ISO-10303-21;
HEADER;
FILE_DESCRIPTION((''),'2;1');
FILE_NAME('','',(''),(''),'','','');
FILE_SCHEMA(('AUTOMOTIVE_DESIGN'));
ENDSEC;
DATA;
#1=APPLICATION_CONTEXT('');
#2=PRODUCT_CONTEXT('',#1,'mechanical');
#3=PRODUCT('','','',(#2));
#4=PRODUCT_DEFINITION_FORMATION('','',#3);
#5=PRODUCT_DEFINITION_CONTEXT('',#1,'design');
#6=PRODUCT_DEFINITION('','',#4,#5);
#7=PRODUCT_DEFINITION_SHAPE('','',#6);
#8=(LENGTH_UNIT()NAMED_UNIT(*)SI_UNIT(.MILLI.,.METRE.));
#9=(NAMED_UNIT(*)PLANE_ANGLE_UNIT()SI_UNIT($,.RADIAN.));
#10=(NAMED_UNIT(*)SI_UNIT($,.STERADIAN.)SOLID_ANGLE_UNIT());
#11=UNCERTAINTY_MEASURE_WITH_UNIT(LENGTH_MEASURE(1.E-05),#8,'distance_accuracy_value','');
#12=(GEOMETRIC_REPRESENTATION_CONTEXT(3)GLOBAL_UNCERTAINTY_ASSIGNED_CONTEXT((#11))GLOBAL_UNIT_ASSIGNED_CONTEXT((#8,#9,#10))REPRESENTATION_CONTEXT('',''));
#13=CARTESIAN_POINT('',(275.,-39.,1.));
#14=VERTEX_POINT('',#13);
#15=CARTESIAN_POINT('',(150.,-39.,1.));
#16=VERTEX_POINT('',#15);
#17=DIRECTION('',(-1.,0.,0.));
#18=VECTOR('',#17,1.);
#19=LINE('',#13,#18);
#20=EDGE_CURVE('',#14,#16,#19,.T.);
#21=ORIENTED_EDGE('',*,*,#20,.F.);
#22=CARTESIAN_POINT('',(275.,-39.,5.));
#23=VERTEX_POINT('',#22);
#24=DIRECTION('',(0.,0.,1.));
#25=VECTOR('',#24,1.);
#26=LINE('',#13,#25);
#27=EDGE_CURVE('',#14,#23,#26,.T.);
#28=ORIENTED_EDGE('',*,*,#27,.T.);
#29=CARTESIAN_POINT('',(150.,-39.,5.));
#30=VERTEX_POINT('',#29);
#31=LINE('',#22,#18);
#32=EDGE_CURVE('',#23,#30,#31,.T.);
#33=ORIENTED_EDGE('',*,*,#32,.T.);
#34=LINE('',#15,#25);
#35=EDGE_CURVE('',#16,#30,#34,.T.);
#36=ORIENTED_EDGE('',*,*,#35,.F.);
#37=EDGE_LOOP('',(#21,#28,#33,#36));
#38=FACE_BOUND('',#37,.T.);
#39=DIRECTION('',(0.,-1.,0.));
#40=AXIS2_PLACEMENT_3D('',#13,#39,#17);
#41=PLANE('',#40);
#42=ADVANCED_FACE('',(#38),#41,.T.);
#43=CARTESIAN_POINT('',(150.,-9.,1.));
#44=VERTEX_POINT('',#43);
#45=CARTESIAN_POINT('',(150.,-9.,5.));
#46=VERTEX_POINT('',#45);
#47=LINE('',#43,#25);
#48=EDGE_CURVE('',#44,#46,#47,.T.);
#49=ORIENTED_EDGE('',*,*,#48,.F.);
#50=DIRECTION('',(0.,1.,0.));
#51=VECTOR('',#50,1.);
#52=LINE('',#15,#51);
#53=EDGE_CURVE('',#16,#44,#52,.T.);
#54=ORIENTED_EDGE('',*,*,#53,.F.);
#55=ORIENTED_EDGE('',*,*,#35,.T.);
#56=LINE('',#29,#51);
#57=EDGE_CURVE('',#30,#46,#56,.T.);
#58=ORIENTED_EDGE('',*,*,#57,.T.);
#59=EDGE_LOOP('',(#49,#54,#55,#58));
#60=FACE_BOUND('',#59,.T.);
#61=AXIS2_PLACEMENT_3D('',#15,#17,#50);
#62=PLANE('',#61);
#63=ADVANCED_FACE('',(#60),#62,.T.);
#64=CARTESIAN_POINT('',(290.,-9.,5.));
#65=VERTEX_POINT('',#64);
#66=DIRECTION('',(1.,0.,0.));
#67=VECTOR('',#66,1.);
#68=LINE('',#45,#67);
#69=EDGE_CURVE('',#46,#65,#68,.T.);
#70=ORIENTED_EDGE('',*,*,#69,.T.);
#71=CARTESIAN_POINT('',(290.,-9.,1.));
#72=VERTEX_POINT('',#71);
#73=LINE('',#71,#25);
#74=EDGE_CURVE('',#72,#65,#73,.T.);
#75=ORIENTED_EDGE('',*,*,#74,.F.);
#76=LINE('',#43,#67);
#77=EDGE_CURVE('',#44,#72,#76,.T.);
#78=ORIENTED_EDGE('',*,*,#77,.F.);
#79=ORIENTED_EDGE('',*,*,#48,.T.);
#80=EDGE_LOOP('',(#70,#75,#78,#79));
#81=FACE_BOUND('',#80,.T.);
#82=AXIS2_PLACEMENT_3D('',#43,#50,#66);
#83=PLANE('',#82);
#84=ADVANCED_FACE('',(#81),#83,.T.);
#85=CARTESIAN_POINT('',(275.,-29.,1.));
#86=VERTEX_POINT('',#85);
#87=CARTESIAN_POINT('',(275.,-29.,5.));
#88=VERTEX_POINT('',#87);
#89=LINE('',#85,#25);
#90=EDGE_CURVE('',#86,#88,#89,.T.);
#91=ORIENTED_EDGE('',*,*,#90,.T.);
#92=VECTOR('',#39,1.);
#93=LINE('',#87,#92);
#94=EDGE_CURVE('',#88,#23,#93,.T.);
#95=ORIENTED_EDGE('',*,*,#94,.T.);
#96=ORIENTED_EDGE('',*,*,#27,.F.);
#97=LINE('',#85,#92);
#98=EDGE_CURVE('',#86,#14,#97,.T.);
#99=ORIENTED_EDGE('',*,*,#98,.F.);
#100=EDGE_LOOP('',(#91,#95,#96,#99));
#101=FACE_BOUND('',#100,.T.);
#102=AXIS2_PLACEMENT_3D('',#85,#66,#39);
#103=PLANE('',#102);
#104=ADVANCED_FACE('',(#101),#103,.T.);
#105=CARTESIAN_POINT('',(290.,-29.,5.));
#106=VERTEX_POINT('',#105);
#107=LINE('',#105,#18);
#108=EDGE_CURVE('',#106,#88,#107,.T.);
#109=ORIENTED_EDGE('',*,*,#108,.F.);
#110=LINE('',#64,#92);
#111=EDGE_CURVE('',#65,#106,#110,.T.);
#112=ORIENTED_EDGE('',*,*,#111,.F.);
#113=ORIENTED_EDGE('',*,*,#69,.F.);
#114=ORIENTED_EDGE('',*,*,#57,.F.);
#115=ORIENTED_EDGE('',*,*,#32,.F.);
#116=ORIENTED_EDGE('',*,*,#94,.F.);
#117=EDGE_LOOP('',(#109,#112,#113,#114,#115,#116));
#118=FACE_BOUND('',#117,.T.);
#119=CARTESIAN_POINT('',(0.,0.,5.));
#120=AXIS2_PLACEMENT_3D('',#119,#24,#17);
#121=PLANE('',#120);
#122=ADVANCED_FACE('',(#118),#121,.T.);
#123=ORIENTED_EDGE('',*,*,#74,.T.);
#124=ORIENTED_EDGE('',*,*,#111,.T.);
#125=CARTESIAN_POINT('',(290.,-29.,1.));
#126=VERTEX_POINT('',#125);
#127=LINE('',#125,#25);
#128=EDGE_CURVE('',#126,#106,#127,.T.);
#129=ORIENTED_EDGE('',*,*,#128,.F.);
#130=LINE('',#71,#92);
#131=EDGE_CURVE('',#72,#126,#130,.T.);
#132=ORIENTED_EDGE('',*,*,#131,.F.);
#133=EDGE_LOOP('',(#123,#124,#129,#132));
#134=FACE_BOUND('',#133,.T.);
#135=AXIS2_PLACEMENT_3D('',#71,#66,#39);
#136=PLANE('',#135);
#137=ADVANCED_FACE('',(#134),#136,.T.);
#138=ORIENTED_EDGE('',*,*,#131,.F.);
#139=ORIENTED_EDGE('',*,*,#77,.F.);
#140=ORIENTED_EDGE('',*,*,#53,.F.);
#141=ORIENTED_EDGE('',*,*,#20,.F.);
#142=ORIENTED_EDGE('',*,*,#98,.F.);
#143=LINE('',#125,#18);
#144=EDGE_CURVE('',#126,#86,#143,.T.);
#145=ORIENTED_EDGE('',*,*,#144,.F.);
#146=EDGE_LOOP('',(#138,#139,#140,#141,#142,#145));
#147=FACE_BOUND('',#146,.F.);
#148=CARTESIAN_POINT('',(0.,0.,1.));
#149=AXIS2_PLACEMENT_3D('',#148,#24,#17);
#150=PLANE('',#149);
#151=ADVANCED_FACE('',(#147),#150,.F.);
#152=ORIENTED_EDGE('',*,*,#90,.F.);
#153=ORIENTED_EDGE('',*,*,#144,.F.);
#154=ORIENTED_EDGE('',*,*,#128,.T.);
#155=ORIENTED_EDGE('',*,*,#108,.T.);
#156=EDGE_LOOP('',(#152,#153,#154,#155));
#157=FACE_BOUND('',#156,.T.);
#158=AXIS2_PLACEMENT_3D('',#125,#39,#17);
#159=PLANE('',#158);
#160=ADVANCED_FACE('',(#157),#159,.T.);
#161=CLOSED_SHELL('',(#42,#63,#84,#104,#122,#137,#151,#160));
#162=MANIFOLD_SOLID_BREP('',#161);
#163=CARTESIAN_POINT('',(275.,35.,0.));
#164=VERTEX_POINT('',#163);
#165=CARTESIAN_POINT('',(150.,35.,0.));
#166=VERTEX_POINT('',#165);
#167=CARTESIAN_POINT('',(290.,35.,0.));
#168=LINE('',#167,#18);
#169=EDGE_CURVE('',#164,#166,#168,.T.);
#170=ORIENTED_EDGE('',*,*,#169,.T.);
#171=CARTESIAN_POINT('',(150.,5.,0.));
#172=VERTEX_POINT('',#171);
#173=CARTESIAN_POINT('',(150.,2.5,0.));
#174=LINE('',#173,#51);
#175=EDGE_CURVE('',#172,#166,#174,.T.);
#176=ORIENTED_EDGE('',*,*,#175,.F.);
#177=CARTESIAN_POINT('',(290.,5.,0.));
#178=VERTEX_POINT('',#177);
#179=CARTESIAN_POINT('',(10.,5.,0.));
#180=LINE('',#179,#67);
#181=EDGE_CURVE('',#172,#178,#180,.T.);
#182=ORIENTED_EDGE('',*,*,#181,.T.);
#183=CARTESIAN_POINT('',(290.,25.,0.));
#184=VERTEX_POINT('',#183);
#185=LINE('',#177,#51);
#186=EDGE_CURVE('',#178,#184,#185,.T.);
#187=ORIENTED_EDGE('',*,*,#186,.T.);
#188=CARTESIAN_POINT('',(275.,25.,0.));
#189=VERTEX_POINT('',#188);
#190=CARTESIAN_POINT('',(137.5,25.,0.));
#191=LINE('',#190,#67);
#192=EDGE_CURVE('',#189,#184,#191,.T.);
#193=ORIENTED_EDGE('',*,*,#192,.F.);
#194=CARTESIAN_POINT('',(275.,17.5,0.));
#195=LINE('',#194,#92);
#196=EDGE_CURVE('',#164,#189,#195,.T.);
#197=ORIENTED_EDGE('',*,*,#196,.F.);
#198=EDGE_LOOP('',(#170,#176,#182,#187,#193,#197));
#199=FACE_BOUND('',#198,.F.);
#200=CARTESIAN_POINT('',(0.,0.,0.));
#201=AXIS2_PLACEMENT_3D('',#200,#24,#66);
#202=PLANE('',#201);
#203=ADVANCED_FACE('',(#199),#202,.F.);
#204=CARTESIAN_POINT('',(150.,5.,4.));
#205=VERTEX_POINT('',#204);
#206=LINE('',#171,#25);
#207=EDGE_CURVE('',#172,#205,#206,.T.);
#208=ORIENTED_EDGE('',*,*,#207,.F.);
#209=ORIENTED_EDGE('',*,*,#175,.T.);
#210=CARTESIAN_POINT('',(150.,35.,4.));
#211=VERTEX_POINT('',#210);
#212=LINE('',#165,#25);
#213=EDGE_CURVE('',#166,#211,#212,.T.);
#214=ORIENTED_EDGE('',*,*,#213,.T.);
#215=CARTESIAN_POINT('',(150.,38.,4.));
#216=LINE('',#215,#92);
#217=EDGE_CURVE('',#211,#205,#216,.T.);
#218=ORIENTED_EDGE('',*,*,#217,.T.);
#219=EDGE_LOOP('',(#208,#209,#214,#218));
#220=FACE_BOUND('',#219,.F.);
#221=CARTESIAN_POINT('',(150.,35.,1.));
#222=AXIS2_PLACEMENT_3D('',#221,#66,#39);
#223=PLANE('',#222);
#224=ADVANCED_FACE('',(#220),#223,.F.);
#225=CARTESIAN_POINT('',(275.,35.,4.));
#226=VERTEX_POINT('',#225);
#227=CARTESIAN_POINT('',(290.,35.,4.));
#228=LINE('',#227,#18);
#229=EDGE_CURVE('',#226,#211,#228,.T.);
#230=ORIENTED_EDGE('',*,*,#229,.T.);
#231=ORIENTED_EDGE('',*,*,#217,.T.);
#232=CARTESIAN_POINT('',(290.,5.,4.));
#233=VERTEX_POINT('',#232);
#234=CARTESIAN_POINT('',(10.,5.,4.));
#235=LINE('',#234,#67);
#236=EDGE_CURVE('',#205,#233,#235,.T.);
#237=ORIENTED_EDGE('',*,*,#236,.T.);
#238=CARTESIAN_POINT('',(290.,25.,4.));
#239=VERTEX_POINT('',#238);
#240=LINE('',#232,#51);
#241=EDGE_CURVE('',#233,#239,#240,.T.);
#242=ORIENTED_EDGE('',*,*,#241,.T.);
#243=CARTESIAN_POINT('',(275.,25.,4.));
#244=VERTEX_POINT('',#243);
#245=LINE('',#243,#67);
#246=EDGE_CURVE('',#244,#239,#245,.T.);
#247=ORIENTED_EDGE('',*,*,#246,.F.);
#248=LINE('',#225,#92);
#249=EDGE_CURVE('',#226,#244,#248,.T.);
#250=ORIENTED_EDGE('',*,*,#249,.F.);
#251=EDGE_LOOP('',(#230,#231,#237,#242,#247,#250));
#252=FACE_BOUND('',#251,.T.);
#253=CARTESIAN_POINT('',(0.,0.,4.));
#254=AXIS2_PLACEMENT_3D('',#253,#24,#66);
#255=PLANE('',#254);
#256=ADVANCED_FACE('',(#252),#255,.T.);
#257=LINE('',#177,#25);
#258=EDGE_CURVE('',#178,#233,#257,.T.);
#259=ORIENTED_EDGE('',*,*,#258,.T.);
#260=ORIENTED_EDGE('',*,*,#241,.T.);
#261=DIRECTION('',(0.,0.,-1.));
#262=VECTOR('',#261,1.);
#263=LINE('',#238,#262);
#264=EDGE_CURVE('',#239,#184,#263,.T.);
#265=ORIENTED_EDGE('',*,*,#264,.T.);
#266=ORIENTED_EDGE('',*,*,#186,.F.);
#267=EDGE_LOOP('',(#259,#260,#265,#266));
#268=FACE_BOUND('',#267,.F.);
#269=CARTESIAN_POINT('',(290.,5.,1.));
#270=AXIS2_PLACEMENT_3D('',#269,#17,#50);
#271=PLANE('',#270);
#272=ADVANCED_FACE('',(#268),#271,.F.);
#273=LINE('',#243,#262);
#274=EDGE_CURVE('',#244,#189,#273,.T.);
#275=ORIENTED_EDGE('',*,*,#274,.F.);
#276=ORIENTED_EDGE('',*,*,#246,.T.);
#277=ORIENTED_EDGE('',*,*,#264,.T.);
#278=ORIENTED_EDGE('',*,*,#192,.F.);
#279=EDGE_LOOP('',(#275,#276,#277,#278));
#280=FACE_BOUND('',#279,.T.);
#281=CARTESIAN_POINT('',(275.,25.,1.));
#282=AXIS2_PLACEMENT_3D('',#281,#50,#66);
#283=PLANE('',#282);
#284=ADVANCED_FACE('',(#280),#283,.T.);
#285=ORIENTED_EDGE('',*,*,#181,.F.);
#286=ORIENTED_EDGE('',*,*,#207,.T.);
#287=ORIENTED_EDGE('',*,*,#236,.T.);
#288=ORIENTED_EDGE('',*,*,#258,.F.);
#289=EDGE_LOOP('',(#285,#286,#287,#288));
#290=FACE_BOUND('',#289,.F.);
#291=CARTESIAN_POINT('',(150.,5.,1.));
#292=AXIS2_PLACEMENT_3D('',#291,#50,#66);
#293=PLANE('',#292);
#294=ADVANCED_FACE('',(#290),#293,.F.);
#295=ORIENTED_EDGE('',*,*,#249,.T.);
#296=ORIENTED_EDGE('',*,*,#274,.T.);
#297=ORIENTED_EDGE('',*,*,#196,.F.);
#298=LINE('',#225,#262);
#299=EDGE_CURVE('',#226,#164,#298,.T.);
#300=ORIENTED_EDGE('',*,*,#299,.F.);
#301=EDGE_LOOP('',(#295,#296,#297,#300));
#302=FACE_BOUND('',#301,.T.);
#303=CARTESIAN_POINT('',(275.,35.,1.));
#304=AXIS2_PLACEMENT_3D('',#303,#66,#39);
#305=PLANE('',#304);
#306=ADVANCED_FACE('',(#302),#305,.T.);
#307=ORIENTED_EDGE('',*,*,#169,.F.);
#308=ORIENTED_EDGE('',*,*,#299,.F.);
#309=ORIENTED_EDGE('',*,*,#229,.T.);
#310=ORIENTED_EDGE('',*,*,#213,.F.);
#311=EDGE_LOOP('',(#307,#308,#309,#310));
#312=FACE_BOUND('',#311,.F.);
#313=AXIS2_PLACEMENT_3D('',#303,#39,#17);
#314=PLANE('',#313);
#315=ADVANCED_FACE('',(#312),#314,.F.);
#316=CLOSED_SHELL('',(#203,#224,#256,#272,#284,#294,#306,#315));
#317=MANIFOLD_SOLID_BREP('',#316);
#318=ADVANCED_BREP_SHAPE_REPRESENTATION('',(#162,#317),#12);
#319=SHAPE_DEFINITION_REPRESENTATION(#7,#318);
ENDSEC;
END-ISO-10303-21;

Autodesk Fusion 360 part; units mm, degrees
sketch "Skizze1" plane through (0, 0, 0) normal (0, 0, 1) x (1, 0, 0)
  line L0 (10, 5) -> (290, 5)
  line L1 (290, 5) -> (290, 35)
  line L2 (290, 35) -> (10, 35)
  line L3 (10, 35) -> (10, 5)
  dimension "d1" = 280
  dimension "d2" = 30
extrude "Extrusion1" add sketch "Skizze1" along normal blind 1 makes body 1
sketch "Skizze2" plane through (0, 0, 1) normal (0, 0, 1) x (-1, 0, 0)
  line L0 (-10, -35) -> (-10, -5)
  line L1 (-10, -5) -> (-290, -5)
  line L2 (-290, -5) -> (-290, -35)
  line L3 (-290, -35) -> (-10, -35)
  line L4 (-10, -35) -> (-25, -35)
  line L5 (-25, -35) -> (-25, -25)
  line L6 (-25, -25) -> (-10, -25)
  line L7 (-10, -25) -> (-10, -35)
  line L8 (-290, -35) -> (-275, -35)
  line L9 (-275, -35) -> (-275, -25)
  line L10 (-275, -25) -> (-290, -25)
  line L11 (-290, -25) -> (-290, -35)
  dimension "d5" = 10
  dimension "d6" = 10
  dimension "d7" = 15
  dimension "d8" = 15
extrude "Extrusion2" cut sketch "Skizze2" against normal blind 15 contours L0 L3 L4 L5 L6 L7 | L2 L3 L8 L9 L10 L11 bodies 1
sketch "Skizze3" plane through (0, 0, 1) normal (0, 0, 1) x (-1, 0, 0)
  line L0 (-25, -25) -> (-10, -25)
  line L1 (-10, -25) -> (-10, -5)
  line L2 (-10, -5) -> (-290, -5)
  line L3 (-290, -5) -> (-290, -25)
  line L4 (-290, -25) -> (-275, -25)
  line L5 (-275, -25) -> (-275, -35)
  line L6 (-275, -35) -> (-25, -35)
  line L7 (-25, -35) -> (-25, -25)
  line L8 (-10, -2.919) -> (-150, -2.919)
  line L9 (-150, -2.919) -> (-150, -38)
  line L10 (-150, -38) -> (-10, -38)
  line L11 (-10, -38) -> (-10, -2.919)
  dimension "d11" = 140
extrude "Extrusion3" cut sketch "Skizze3" against normal blind 20 contours L0 L1 L2 L6 L7 L9 L11 | L0 L6 L7 L9 L10 L11 | L2 L8 L9 L11 bodies 1
sketch "Skizze4" plane through (0, 0, 1) normal (0, 0, 1) x (-1, 0, 0)
  line L0 (-150, -35) -> (-150, -5)
  line L1 (-150, -5) -> (-290, -5)
  line L2 (-290, -5) -> (-290, -25)
  line L3 (-290, -25) -> (-275, -25)
  line L4 (-275, -25) -> (-275, -35)
  line L5 (-275, -35) -> (-150, -35)
  line L6 (-150, 0) -> (-290, 0)
  line L7 (-290, 0) -> (-290, 2)
  line L8 (-290, 2) -> (-150, 2)
  line L9 (-150, 2) -> (-150, 0)
  line L10 (-275, 29) -> (-275, 39)
  line L11 (-290, 29) -> (-275, 29)
  line L12 (-275, 39) -> (-150, 39)
  line L13 (-150, 39) -> (-150, 9)
  line L14 (-150, 9) -> (-290, 9)
  line L15 (-290, 9) -> (-290, 29)
extrude "Extrusion4" add sketch "Skizze4" along normal blind 4 separate body contours L10 L11 L12 L13 L14 L15 makes body 2
extrude "Extrusion5" add 1 faces at (191.6667, 21.6667, 1) along direction (0, 0, 1) blind 3 on bodies 1 bodies 1
